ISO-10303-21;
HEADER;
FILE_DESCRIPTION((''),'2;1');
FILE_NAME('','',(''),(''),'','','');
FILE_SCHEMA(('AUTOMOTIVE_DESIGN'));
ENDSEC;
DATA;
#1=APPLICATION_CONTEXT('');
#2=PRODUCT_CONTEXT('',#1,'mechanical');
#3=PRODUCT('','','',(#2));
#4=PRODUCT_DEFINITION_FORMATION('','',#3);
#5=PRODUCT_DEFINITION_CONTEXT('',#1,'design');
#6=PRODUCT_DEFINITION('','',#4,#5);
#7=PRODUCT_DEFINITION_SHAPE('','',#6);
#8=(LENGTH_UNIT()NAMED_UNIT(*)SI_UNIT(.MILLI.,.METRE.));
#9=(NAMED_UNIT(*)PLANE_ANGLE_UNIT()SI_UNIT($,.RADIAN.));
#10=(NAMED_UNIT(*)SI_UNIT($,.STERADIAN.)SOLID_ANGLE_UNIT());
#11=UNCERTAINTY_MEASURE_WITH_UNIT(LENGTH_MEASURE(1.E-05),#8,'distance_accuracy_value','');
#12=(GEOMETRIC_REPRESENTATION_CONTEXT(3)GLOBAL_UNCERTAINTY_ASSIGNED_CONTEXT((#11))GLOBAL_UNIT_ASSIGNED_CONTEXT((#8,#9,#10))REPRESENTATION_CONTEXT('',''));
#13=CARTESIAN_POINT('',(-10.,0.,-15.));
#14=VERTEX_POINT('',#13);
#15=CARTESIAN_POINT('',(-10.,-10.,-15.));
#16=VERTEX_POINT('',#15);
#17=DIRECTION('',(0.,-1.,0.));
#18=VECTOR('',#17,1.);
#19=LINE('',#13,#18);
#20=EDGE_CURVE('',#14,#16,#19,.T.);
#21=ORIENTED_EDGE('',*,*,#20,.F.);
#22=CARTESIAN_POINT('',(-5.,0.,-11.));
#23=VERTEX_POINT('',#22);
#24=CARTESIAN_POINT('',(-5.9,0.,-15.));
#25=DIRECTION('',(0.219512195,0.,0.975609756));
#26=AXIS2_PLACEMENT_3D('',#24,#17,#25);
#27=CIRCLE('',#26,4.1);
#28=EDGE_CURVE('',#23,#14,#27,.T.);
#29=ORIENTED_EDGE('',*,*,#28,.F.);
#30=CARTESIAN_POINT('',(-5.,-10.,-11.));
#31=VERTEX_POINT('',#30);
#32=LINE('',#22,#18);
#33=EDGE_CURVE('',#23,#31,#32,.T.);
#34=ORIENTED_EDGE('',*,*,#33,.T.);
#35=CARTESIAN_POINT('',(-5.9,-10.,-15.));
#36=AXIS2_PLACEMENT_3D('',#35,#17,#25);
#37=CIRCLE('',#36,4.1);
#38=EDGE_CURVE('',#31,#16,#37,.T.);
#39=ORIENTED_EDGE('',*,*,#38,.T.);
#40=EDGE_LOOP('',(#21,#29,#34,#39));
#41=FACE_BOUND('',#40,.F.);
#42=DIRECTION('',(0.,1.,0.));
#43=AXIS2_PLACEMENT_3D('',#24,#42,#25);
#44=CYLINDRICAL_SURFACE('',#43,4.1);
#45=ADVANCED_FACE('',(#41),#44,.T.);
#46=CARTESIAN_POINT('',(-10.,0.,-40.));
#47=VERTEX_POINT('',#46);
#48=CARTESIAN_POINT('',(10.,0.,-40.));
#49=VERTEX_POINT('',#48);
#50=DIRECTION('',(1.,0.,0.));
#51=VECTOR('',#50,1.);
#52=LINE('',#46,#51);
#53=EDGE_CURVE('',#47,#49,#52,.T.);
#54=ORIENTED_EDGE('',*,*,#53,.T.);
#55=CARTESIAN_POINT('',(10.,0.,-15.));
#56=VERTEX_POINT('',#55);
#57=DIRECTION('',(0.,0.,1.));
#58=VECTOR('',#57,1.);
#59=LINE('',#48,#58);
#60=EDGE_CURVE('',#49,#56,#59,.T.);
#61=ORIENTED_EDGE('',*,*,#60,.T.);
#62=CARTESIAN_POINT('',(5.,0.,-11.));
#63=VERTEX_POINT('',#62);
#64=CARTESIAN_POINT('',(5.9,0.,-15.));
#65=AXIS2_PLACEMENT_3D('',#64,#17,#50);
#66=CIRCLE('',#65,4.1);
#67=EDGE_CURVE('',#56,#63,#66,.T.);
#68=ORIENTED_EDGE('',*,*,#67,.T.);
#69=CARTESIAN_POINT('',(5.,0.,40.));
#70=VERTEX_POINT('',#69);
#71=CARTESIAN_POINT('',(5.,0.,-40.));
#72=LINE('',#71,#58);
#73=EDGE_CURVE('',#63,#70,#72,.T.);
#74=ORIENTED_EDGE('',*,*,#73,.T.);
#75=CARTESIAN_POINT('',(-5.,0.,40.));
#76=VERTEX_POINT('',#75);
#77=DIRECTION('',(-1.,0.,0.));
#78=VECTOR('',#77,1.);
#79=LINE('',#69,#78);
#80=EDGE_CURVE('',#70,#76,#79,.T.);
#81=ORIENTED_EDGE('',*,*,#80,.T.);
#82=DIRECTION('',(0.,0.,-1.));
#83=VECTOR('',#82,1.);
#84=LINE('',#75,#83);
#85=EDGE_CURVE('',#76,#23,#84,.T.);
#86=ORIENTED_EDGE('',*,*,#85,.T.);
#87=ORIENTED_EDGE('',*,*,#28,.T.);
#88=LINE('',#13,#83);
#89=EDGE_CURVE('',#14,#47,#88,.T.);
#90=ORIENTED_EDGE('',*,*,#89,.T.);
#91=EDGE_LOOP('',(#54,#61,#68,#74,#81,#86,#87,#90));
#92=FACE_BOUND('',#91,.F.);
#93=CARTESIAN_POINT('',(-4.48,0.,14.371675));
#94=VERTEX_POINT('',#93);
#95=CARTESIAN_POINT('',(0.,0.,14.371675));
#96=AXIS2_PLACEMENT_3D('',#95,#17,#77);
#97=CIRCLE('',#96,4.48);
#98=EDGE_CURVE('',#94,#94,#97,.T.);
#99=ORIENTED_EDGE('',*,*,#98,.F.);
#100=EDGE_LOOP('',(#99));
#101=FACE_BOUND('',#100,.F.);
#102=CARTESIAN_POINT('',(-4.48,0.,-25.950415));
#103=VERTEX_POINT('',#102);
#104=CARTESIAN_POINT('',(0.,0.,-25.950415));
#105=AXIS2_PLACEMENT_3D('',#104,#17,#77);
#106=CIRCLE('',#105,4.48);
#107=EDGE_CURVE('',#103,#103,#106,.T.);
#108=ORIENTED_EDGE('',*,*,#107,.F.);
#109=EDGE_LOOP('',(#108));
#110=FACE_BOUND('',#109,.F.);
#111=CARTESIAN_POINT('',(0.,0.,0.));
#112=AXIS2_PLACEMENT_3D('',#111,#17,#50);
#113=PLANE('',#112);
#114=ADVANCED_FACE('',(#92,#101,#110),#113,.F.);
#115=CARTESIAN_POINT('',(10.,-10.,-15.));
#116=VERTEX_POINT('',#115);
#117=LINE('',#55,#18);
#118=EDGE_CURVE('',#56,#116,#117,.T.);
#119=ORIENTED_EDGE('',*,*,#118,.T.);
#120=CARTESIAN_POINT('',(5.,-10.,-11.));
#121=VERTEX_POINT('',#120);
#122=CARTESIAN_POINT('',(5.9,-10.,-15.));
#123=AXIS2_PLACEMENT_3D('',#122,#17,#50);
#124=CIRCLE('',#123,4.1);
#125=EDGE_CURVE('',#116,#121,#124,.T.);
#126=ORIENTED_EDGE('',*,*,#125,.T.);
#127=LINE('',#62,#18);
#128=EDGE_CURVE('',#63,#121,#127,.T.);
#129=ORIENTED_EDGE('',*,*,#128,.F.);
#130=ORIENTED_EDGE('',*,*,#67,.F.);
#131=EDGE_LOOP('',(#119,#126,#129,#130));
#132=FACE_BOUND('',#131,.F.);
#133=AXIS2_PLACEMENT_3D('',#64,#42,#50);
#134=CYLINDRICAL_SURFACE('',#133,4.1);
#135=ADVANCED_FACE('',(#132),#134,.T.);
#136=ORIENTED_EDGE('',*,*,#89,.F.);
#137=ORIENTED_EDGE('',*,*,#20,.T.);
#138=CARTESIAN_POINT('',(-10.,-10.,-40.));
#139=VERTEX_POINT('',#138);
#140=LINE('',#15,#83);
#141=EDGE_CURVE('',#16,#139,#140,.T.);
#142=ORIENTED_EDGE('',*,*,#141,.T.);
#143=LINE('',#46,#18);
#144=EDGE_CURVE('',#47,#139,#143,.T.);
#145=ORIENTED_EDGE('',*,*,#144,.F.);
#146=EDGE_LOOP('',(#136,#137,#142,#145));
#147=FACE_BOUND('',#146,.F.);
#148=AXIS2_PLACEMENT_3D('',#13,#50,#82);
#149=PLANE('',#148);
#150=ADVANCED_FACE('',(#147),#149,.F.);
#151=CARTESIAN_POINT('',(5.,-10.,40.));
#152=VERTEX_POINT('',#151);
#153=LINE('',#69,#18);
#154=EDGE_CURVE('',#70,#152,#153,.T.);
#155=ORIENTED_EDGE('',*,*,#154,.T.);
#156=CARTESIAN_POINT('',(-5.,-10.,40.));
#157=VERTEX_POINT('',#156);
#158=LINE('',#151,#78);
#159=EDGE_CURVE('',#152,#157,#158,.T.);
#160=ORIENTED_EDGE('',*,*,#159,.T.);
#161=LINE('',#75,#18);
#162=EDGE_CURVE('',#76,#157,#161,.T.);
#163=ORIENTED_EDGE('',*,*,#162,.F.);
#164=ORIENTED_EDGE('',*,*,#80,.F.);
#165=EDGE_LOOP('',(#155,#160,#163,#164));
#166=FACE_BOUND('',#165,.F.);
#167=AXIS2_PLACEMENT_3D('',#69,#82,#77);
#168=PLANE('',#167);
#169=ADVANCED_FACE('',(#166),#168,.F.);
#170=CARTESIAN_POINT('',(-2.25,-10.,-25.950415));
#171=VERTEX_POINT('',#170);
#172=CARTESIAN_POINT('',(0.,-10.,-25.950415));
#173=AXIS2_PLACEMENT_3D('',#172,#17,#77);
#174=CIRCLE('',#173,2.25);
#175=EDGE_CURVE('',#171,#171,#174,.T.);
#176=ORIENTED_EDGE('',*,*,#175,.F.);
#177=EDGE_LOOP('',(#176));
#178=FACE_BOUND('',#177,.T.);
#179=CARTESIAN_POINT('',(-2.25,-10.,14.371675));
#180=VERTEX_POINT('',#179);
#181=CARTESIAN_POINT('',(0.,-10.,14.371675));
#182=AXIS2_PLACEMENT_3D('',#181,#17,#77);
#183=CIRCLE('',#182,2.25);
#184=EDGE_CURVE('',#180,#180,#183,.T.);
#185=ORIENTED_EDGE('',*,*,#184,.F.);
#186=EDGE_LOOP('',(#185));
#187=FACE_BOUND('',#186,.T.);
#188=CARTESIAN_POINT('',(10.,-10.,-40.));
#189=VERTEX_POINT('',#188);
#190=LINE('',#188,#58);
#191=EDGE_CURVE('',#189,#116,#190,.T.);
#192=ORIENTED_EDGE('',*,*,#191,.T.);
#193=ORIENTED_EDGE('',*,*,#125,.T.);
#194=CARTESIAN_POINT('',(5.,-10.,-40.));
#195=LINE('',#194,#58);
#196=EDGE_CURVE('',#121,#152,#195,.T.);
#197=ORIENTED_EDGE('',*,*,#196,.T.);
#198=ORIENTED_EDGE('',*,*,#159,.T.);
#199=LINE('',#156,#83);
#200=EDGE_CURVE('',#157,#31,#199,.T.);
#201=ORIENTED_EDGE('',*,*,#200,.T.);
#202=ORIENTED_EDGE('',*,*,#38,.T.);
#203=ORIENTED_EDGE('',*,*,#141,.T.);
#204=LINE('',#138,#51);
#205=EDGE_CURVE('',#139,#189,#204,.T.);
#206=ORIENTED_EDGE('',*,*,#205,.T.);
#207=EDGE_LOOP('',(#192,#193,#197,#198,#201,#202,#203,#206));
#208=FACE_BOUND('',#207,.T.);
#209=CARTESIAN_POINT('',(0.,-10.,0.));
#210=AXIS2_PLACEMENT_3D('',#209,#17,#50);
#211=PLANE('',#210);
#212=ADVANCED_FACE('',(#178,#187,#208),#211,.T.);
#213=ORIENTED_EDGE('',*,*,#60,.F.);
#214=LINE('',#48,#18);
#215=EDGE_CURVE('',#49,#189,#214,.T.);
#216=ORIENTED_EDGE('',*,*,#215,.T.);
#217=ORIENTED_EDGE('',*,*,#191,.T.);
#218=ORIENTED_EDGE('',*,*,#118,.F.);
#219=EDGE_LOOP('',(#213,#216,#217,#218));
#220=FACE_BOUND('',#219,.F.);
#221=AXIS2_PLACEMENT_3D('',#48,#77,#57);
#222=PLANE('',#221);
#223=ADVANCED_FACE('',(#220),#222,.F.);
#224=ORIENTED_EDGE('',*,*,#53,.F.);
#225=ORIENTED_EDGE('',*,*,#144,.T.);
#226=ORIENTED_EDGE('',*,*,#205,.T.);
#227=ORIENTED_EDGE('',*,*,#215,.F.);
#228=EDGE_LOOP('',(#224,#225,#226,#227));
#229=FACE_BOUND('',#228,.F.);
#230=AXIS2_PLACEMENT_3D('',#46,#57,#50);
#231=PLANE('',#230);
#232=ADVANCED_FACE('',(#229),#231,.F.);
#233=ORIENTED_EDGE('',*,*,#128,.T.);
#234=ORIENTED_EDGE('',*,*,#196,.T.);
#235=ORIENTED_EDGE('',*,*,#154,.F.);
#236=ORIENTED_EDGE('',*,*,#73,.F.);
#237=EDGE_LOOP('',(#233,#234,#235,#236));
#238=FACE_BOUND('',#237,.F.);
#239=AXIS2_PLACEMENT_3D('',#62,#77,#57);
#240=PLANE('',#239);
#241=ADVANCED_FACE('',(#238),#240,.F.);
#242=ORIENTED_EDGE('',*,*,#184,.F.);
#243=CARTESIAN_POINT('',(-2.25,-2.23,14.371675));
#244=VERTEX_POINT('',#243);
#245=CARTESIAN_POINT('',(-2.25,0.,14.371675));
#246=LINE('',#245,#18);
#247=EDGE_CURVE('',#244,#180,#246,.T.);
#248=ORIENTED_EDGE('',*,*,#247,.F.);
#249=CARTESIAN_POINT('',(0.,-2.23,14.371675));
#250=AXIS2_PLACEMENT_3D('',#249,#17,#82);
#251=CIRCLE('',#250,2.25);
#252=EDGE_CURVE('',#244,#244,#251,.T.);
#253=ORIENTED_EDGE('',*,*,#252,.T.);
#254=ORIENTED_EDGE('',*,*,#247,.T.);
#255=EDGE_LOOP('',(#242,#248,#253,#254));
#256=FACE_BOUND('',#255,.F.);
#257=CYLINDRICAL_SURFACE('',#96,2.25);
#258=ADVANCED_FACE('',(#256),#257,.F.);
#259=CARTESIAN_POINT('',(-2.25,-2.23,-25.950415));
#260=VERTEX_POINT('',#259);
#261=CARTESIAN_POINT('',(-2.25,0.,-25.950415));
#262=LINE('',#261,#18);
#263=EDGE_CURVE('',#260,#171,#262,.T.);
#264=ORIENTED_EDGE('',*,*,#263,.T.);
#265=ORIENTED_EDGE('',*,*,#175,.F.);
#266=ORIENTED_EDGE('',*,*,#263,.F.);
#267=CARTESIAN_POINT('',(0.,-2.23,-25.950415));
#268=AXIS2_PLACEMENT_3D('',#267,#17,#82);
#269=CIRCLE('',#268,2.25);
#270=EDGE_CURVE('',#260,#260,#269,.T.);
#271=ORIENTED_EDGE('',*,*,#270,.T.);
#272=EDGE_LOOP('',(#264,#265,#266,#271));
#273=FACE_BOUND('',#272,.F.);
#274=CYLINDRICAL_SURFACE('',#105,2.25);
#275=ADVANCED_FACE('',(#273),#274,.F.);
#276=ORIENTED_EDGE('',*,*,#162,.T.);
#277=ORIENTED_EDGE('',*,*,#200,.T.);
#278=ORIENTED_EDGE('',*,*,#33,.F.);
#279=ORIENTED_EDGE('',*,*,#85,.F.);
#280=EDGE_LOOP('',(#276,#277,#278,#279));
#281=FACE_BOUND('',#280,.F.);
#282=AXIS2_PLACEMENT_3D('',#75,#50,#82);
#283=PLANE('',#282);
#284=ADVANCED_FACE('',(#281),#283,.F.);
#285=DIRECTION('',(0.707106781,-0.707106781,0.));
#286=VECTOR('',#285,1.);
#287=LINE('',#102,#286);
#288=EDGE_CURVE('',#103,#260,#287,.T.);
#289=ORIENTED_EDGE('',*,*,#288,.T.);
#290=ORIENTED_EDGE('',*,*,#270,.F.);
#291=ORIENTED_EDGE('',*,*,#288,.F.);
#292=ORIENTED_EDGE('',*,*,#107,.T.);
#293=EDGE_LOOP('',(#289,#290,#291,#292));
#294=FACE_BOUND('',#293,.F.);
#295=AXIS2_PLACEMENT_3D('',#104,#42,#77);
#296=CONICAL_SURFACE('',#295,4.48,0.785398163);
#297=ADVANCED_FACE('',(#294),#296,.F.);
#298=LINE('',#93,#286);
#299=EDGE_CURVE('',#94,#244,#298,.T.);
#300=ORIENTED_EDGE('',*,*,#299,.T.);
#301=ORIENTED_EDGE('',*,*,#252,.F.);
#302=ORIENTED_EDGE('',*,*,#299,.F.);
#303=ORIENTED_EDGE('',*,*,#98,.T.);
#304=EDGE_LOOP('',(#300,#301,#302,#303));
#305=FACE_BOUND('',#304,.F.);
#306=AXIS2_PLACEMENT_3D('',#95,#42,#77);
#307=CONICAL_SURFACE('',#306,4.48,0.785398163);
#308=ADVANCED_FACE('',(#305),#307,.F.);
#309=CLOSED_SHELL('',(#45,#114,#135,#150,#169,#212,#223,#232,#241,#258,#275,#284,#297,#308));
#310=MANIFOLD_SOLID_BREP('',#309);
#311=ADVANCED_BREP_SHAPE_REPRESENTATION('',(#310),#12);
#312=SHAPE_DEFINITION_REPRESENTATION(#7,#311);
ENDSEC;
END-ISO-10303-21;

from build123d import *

# Parameters (mm, degrees)
F1_DEPTH       = 10
F2_D           = 4.5
F2_CSINK_D     = 8.96
F2_CSINK_ANGLE = 90


with BuildPart() as f1:
    # F0 (on Front) → F1 (new body)
    with BuildSketch(Plane.XZ):
        Polygon((5, -11), (5, 40), (-5, 40), (-5, -11), (-5, -40), (5, -40), (5, -15), align=None)
        with BuildLine():
            ThreePointArc((10, -15), (8.461249695, -11.7984378813), (5, -11))
            Line((5, -11), (5, -15))
            Line((5, -15), (5, -40))
            Line((5, -40), (10, -40))
            Line((10, -40), (10, -15))
        make_face()
        with BuildLine():
            Line((-5, -40), (-5, -11))
            ThreePointArc((-5, -11), (-8.461249695, -11.7984378813), (-10, -15))
            Line((-10, -15), (-10, -40))
            Line((-10, -40), (-5, -40))
        make_face()
    extrude(amount=F1_DEPTH)

    # F2 (through all)
    with Locations(Plane(origin=(0, 0, 0), x_dir=(1, 0, 0), z_dir=(0, 1, 0))):
        with Locations((0, -14.3716754392), (0, 25.9504150599)):
            CounterSinkHole(F2_D / 2, F2_CSINK_D / 2, counter_sink_angle=F2_CSINK_ANGLE)


solid = f1.part
